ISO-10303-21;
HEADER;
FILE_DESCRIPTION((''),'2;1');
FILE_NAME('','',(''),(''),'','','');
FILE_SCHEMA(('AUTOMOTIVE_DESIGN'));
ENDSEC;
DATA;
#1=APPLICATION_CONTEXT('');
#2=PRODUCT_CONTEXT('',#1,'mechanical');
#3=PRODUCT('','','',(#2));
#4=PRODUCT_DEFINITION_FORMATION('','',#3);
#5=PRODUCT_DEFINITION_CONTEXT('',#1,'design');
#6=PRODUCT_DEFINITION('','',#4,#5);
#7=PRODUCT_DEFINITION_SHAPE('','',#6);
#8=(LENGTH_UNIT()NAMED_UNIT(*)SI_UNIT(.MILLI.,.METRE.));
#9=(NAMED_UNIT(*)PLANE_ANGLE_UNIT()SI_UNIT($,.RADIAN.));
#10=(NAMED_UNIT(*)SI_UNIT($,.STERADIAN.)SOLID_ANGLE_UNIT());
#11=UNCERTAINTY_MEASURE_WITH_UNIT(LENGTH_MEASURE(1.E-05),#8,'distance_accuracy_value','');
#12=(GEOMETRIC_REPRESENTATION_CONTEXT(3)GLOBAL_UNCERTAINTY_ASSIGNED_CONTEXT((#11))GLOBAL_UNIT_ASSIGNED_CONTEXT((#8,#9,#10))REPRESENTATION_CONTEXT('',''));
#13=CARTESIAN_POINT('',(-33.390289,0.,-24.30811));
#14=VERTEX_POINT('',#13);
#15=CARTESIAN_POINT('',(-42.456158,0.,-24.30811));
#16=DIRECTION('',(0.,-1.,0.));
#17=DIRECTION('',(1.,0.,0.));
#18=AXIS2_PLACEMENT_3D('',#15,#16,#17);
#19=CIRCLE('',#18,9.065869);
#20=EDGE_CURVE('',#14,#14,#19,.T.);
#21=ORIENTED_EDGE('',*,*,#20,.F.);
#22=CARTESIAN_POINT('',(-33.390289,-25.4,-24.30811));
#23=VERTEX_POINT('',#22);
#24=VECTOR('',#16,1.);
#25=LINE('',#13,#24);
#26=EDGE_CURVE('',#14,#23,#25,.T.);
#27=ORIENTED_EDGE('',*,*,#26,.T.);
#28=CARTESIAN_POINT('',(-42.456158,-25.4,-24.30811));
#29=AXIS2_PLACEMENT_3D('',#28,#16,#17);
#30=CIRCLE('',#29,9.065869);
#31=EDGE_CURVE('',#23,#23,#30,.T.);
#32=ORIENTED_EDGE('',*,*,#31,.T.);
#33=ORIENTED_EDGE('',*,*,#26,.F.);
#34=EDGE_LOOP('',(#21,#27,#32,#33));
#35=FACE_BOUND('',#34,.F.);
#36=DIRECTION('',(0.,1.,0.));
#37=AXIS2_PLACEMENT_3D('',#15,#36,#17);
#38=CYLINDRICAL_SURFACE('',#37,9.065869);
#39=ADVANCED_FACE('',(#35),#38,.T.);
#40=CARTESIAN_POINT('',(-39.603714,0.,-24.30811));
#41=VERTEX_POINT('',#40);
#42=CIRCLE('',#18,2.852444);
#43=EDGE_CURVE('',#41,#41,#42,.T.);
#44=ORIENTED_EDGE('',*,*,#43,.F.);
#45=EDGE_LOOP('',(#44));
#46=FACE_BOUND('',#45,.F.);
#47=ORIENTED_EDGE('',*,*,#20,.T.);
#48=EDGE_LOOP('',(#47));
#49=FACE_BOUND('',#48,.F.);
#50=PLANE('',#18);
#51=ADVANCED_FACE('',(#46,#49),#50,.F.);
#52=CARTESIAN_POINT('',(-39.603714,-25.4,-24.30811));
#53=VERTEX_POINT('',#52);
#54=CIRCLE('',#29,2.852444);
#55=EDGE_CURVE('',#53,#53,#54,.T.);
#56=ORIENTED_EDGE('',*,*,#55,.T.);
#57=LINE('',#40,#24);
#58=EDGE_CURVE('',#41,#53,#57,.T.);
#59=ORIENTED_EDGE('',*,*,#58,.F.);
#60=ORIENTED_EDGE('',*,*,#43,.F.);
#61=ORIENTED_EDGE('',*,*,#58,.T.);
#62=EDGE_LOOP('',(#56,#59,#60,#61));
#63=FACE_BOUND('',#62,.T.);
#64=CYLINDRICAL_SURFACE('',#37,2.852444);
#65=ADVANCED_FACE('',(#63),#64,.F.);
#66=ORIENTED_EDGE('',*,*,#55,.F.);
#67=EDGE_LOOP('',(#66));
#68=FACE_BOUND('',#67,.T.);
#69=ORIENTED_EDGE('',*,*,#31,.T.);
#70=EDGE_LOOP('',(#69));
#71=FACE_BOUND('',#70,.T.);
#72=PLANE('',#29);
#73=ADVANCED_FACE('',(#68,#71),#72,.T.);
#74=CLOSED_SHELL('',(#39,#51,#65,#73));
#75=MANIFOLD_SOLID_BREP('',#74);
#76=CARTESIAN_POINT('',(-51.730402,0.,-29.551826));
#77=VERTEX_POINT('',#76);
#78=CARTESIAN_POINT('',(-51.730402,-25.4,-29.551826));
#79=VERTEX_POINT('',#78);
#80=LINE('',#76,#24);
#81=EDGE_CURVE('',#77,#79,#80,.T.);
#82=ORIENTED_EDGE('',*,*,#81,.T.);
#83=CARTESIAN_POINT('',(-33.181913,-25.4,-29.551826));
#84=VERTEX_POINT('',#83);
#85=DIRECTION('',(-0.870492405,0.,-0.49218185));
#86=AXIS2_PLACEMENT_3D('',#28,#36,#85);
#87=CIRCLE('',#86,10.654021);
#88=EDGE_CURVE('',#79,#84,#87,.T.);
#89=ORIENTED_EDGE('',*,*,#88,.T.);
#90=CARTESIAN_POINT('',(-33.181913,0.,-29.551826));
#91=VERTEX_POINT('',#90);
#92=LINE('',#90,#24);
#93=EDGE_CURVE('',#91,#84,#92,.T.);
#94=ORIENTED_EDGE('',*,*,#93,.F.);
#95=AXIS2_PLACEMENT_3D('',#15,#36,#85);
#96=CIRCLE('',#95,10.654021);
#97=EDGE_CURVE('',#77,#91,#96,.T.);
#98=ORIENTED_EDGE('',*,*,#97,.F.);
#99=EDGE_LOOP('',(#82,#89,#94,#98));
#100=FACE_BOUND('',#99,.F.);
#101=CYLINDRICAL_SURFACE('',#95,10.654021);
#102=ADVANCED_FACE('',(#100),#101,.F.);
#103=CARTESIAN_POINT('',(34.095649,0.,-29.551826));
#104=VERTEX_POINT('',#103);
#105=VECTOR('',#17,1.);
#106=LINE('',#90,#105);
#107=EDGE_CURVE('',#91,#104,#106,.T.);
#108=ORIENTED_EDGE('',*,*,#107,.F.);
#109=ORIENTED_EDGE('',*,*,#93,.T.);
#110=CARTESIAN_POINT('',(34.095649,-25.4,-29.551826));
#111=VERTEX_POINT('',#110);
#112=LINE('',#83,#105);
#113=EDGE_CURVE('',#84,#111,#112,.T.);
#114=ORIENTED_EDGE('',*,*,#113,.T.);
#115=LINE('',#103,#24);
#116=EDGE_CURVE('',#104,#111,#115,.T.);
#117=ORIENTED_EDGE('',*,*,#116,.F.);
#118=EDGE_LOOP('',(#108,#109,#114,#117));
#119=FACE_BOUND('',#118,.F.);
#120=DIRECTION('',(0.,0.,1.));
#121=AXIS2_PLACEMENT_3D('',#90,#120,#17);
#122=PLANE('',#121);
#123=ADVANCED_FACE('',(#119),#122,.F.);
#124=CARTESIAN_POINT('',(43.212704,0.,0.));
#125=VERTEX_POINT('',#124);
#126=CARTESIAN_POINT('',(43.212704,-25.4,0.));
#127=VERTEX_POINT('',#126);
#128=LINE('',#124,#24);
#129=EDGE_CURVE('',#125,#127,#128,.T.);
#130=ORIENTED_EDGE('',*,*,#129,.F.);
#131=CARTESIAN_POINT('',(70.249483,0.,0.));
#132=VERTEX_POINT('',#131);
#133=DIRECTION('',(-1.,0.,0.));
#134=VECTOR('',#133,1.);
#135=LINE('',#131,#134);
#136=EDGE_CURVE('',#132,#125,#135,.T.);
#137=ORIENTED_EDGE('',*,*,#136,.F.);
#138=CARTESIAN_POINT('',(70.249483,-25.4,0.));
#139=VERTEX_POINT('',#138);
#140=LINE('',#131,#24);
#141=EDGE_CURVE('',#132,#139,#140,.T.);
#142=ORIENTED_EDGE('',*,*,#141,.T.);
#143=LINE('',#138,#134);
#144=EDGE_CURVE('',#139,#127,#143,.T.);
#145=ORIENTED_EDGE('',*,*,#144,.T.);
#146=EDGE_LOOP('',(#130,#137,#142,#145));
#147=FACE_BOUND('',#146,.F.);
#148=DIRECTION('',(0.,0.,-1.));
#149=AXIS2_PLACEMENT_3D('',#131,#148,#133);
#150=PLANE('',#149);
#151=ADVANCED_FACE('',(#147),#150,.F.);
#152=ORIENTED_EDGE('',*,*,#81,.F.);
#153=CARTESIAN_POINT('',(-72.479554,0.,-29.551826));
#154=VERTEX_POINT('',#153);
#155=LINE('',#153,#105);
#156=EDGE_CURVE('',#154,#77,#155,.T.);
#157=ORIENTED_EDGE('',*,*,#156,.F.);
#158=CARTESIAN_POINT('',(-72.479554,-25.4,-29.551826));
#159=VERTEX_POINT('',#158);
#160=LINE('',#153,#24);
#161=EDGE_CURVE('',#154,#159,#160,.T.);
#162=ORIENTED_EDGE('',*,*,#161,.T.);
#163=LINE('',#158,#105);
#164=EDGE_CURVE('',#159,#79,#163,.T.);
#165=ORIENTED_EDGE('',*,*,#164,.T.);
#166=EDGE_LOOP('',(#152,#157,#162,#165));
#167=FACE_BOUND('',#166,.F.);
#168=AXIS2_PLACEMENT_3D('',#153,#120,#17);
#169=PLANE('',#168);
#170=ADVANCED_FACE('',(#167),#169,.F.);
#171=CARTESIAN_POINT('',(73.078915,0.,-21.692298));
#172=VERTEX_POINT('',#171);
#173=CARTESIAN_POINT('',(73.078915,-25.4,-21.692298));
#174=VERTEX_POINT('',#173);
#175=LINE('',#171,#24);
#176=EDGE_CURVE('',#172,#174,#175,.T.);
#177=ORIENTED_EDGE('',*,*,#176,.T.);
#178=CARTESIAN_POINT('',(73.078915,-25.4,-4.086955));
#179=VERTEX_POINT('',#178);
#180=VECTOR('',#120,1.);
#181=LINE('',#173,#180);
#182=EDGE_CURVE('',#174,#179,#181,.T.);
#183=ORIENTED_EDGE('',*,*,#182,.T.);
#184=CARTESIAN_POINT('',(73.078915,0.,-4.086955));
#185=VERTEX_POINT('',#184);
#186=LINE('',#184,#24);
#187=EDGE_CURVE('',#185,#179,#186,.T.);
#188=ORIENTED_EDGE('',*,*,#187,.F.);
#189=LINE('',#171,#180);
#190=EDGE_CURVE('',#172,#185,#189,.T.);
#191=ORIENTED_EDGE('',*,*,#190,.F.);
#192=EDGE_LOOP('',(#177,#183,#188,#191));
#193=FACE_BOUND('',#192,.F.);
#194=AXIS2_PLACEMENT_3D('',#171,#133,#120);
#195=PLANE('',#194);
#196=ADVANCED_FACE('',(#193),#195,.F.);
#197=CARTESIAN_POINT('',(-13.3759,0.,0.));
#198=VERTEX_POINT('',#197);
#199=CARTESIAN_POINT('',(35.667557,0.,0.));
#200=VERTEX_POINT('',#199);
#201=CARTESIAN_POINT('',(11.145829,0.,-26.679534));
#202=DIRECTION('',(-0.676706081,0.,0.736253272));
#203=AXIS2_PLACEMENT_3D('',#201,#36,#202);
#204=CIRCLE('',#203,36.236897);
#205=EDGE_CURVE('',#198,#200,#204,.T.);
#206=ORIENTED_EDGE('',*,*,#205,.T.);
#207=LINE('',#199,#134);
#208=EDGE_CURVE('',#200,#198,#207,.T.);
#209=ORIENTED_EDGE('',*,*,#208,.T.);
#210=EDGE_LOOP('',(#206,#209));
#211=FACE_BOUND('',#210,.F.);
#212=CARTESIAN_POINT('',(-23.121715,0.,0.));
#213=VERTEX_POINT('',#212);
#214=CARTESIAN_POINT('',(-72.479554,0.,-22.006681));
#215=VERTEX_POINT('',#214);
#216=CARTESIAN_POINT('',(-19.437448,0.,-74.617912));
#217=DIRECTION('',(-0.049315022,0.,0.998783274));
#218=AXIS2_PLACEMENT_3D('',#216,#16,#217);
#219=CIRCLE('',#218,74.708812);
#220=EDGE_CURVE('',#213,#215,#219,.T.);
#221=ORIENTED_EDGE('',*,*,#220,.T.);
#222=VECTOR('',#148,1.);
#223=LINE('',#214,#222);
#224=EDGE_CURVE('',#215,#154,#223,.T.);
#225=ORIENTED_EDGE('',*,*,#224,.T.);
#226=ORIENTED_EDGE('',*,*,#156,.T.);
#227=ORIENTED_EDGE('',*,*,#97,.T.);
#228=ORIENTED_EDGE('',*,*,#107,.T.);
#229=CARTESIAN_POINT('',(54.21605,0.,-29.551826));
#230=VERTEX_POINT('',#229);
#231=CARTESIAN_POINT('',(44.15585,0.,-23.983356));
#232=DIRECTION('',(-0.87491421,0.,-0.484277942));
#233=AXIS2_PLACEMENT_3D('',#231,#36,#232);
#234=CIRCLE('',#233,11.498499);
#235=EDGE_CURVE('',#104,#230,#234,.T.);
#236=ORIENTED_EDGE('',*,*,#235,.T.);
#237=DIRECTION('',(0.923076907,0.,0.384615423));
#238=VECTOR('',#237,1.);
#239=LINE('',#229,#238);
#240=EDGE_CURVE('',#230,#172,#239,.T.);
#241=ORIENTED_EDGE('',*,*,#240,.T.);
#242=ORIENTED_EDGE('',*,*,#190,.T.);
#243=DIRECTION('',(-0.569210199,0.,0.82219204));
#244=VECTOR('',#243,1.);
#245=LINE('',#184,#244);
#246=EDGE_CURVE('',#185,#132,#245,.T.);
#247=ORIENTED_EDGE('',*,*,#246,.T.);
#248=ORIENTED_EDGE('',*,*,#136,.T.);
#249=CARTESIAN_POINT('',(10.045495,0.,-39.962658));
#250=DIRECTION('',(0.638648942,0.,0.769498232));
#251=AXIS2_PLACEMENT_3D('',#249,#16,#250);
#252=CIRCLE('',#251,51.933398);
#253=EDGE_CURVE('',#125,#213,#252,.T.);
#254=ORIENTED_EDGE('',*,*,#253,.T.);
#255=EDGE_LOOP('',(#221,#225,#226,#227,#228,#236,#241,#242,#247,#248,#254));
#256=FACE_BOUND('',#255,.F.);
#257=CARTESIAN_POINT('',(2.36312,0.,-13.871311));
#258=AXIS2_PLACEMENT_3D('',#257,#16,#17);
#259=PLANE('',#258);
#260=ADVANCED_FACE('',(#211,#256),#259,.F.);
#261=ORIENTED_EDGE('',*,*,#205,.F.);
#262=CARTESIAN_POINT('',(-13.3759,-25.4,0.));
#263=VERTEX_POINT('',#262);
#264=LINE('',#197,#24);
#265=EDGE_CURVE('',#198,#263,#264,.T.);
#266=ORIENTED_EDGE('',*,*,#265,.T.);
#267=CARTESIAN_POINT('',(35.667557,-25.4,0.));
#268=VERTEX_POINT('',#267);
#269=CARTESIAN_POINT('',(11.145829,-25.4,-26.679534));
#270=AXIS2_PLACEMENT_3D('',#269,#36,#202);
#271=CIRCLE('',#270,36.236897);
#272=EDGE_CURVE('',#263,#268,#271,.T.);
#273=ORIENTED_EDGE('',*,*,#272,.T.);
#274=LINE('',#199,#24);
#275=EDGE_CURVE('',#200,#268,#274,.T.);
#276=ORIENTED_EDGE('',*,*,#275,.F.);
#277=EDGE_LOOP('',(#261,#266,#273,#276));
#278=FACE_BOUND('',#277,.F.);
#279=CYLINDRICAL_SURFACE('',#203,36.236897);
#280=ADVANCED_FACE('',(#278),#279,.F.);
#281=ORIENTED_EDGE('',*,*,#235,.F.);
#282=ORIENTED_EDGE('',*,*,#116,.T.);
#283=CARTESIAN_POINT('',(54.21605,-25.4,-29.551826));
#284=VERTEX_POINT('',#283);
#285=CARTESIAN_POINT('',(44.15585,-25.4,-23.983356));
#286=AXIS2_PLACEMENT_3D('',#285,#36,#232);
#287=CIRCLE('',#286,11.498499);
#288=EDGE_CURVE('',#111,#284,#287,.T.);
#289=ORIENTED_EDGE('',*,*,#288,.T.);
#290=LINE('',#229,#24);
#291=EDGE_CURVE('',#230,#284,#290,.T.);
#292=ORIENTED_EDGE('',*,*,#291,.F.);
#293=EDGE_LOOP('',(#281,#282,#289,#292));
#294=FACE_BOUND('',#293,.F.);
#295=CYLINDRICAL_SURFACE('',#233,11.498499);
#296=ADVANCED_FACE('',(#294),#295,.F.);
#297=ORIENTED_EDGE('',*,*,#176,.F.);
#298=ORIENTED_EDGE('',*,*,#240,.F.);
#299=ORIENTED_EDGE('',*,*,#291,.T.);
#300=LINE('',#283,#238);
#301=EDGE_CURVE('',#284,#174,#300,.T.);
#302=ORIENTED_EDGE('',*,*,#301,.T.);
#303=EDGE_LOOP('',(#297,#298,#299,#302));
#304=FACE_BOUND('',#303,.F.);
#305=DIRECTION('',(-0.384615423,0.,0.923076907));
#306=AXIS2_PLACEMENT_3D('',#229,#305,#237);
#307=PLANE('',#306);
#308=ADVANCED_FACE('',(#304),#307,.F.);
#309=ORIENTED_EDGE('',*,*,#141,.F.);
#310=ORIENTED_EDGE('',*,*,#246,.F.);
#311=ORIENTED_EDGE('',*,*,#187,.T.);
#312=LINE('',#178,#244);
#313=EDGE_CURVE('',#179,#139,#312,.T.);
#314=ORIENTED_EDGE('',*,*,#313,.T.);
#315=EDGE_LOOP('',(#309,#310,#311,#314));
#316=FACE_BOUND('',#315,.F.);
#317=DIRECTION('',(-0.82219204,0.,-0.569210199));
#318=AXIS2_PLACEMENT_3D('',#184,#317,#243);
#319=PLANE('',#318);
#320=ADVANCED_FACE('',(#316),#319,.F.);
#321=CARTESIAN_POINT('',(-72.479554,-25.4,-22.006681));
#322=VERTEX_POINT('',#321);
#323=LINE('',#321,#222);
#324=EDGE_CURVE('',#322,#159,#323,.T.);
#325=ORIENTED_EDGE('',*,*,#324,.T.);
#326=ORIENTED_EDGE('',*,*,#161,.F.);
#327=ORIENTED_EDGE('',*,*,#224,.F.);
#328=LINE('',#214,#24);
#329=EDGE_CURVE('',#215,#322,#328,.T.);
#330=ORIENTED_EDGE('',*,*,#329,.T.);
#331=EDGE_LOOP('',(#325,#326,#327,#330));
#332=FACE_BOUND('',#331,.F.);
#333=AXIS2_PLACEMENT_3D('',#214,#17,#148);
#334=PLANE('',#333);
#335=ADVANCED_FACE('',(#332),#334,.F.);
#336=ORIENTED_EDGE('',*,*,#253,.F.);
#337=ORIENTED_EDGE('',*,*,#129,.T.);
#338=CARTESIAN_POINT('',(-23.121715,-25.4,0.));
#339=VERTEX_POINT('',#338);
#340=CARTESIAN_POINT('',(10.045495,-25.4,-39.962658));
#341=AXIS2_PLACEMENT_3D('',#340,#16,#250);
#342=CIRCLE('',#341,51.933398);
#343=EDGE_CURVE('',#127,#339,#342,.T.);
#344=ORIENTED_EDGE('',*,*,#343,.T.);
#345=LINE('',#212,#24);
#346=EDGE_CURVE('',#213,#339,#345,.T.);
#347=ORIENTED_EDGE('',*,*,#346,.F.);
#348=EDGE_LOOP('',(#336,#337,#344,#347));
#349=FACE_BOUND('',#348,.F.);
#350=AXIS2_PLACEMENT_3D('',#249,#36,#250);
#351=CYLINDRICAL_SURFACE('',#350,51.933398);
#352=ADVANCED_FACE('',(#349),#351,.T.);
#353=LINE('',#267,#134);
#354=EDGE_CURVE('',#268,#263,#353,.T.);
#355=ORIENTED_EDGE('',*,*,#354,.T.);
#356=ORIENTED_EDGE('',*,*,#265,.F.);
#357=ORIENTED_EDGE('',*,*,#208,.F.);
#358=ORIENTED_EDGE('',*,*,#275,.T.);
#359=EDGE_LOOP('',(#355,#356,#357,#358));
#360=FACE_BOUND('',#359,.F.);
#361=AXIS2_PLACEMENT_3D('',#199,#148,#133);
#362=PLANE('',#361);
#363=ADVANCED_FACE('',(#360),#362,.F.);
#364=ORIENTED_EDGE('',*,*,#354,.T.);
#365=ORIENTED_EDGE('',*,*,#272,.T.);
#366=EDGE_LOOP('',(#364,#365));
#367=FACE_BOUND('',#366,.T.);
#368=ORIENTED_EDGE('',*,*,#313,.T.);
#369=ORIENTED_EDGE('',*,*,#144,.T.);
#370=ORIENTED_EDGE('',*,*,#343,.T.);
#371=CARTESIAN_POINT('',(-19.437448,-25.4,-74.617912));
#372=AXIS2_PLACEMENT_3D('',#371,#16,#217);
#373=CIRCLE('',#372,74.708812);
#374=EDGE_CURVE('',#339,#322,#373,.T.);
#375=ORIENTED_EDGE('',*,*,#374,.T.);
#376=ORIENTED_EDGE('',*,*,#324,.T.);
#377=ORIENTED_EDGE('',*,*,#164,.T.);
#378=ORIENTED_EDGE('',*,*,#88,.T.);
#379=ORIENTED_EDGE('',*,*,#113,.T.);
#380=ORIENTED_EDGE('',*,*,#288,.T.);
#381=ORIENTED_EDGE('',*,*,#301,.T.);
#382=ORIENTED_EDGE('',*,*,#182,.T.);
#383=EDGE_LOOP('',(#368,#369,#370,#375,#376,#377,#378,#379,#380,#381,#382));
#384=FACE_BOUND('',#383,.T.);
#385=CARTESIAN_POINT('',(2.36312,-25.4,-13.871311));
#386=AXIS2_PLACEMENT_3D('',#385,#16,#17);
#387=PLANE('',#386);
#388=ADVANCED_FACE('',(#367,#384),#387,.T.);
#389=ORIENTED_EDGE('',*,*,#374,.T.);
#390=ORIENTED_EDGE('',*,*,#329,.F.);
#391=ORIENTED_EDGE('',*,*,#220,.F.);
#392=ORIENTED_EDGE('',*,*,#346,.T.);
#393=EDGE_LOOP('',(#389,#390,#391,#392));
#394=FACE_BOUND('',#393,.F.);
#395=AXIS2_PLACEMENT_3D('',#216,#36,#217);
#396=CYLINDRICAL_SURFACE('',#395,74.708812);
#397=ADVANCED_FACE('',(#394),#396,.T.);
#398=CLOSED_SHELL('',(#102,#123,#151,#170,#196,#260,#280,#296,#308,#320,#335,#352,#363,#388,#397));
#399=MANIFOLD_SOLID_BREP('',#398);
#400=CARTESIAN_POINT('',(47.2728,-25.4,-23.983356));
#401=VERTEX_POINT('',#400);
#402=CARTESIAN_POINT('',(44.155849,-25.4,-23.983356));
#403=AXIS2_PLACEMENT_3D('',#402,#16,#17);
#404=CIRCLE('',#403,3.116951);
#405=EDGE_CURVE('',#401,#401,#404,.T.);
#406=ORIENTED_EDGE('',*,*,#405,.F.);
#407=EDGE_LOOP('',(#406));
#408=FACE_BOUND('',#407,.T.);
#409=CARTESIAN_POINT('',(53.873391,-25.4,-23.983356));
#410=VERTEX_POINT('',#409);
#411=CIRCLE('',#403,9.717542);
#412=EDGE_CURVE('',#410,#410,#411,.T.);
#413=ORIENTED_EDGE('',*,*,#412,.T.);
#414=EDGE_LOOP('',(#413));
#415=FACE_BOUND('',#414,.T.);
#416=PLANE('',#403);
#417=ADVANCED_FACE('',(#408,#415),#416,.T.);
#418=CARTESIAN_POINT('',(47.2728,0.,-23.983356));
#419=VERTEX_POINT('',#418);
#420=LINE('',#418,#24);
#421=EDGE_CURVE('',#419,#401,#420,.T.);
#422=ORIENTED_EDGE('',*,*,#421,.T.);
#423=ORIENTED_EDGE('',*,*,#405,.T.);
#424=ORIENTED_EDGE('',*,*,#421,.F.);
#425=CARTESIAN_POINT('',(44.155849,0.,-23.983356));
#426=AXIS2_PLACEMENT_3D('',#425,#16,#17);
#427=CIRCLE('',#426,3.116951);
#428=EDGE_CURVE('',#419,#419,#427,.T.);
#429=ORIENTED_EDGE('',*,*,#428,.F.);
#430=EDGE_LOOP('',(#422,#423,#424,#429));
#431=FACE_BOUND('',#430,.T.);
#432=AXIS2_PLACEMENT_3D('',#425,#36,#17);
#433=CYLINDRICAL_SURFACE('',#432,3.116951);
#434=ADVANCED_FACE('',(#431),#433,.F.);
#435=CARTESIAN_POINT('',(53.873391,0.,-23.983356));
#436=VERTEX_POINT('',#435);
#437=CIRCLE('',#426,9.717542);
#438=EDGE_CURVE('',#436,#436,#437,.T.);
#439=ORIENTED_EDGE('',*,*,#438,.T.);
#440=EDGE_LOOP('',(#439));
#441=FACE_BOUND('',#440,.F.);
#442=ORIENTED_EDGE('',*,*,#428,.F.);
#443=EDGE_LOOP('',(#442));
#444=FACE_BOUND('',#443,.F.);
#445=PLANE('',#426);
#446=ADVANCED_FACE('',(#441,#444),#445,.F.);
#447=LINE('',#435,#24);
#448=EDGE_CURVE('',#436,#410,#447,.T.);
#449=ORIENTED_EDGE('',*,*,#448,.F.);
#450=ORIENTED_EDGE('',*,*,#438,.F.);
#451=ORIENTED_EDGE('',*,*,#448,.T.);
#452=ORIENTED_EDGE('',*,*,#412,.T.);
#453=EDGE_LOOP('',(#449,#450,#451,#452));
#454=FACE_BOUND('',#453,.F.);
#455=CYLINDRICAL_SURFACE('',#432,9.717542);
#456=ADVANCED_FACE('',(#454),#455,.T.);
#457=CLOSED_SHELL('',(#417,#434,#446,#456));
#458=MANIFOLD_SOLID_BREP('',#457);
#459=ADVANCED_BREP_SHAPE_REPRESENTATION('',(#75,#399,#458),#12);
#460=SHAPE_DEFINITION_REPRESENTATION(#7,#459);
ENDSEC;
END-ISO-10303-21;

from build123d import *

# Parameters (mm, degrees)
F0_R     = 9.065869
F0_R_2   = 2.852444
F0_R_3   = 9.717542
F0_R_4   = 3.116951
F1_DEPTH = 25.4


with BuildPart() as f1:
    # F0 (on Front) → F1 (new body)
    with BuildSketch(Plane.XZ):
        with BuildLine():
            ThreePointArc((-51.730402, -29.551826), (-42.456158, -13.654089), (-33.181913, -29.551826))
            Line((-33.181913, -29.551826), (34.095649, -29.551826))
            ThreePointArc((34.095649, -29.551826), (44.155849, -12.484857), (54.21605, -29.551826))
            Line((54.21605, -29.551826), (73.078915, -21.692298))
            Line((73.078915, -21.692298), (73.078915, -8.802672))
            Line((73.078915, -8.802672), (73.078915, -4.086955))
            Line((73.078915, -4.086955), (70.249483, 0))
            Line((70.249483, 0), (51.386617, 0))
            Line((51.386617, 0), (43.212704, 0))
            ThreePointArc((43.212704, 0), (10.045495, 11.97074), (-23.121715, 0))
            ThreePointArc((-23.121715, 0), (-49.8602, -6.384029), (-72.479554, -22.006681))
            Line((-72.479554, -22.006681), (-72.479554, -29.551826))
            Line((-72.479554, -29.551826), (-51.730402, -29.551826))
        make_face()
        with BuildLine():
            ThreePointArc((-13.3759, 0), (11.145829, 9.557363), (35.667557, 0))
            Line((35.667557, 0), (-13.3759, 0))
        make_face(mode=Mode.SUBTRACT)
        with Locations((-42.456158, -24.30811)):
            Circle(F0_R)
        with Locations((-42.456158, -24.30811)):
            Circle(F0_R_2, mode=Mode.SUBTRACT)
        with Locations((44.155849, -23.983356)):
            Circle(F0_R_3)
        with Locations((44.155849, -23.983356)):
            Circle(F0_R_4, mode=Mode.SUBTRACT)
    extrude(amount=F1_DEPTH)


solid = f1.part
